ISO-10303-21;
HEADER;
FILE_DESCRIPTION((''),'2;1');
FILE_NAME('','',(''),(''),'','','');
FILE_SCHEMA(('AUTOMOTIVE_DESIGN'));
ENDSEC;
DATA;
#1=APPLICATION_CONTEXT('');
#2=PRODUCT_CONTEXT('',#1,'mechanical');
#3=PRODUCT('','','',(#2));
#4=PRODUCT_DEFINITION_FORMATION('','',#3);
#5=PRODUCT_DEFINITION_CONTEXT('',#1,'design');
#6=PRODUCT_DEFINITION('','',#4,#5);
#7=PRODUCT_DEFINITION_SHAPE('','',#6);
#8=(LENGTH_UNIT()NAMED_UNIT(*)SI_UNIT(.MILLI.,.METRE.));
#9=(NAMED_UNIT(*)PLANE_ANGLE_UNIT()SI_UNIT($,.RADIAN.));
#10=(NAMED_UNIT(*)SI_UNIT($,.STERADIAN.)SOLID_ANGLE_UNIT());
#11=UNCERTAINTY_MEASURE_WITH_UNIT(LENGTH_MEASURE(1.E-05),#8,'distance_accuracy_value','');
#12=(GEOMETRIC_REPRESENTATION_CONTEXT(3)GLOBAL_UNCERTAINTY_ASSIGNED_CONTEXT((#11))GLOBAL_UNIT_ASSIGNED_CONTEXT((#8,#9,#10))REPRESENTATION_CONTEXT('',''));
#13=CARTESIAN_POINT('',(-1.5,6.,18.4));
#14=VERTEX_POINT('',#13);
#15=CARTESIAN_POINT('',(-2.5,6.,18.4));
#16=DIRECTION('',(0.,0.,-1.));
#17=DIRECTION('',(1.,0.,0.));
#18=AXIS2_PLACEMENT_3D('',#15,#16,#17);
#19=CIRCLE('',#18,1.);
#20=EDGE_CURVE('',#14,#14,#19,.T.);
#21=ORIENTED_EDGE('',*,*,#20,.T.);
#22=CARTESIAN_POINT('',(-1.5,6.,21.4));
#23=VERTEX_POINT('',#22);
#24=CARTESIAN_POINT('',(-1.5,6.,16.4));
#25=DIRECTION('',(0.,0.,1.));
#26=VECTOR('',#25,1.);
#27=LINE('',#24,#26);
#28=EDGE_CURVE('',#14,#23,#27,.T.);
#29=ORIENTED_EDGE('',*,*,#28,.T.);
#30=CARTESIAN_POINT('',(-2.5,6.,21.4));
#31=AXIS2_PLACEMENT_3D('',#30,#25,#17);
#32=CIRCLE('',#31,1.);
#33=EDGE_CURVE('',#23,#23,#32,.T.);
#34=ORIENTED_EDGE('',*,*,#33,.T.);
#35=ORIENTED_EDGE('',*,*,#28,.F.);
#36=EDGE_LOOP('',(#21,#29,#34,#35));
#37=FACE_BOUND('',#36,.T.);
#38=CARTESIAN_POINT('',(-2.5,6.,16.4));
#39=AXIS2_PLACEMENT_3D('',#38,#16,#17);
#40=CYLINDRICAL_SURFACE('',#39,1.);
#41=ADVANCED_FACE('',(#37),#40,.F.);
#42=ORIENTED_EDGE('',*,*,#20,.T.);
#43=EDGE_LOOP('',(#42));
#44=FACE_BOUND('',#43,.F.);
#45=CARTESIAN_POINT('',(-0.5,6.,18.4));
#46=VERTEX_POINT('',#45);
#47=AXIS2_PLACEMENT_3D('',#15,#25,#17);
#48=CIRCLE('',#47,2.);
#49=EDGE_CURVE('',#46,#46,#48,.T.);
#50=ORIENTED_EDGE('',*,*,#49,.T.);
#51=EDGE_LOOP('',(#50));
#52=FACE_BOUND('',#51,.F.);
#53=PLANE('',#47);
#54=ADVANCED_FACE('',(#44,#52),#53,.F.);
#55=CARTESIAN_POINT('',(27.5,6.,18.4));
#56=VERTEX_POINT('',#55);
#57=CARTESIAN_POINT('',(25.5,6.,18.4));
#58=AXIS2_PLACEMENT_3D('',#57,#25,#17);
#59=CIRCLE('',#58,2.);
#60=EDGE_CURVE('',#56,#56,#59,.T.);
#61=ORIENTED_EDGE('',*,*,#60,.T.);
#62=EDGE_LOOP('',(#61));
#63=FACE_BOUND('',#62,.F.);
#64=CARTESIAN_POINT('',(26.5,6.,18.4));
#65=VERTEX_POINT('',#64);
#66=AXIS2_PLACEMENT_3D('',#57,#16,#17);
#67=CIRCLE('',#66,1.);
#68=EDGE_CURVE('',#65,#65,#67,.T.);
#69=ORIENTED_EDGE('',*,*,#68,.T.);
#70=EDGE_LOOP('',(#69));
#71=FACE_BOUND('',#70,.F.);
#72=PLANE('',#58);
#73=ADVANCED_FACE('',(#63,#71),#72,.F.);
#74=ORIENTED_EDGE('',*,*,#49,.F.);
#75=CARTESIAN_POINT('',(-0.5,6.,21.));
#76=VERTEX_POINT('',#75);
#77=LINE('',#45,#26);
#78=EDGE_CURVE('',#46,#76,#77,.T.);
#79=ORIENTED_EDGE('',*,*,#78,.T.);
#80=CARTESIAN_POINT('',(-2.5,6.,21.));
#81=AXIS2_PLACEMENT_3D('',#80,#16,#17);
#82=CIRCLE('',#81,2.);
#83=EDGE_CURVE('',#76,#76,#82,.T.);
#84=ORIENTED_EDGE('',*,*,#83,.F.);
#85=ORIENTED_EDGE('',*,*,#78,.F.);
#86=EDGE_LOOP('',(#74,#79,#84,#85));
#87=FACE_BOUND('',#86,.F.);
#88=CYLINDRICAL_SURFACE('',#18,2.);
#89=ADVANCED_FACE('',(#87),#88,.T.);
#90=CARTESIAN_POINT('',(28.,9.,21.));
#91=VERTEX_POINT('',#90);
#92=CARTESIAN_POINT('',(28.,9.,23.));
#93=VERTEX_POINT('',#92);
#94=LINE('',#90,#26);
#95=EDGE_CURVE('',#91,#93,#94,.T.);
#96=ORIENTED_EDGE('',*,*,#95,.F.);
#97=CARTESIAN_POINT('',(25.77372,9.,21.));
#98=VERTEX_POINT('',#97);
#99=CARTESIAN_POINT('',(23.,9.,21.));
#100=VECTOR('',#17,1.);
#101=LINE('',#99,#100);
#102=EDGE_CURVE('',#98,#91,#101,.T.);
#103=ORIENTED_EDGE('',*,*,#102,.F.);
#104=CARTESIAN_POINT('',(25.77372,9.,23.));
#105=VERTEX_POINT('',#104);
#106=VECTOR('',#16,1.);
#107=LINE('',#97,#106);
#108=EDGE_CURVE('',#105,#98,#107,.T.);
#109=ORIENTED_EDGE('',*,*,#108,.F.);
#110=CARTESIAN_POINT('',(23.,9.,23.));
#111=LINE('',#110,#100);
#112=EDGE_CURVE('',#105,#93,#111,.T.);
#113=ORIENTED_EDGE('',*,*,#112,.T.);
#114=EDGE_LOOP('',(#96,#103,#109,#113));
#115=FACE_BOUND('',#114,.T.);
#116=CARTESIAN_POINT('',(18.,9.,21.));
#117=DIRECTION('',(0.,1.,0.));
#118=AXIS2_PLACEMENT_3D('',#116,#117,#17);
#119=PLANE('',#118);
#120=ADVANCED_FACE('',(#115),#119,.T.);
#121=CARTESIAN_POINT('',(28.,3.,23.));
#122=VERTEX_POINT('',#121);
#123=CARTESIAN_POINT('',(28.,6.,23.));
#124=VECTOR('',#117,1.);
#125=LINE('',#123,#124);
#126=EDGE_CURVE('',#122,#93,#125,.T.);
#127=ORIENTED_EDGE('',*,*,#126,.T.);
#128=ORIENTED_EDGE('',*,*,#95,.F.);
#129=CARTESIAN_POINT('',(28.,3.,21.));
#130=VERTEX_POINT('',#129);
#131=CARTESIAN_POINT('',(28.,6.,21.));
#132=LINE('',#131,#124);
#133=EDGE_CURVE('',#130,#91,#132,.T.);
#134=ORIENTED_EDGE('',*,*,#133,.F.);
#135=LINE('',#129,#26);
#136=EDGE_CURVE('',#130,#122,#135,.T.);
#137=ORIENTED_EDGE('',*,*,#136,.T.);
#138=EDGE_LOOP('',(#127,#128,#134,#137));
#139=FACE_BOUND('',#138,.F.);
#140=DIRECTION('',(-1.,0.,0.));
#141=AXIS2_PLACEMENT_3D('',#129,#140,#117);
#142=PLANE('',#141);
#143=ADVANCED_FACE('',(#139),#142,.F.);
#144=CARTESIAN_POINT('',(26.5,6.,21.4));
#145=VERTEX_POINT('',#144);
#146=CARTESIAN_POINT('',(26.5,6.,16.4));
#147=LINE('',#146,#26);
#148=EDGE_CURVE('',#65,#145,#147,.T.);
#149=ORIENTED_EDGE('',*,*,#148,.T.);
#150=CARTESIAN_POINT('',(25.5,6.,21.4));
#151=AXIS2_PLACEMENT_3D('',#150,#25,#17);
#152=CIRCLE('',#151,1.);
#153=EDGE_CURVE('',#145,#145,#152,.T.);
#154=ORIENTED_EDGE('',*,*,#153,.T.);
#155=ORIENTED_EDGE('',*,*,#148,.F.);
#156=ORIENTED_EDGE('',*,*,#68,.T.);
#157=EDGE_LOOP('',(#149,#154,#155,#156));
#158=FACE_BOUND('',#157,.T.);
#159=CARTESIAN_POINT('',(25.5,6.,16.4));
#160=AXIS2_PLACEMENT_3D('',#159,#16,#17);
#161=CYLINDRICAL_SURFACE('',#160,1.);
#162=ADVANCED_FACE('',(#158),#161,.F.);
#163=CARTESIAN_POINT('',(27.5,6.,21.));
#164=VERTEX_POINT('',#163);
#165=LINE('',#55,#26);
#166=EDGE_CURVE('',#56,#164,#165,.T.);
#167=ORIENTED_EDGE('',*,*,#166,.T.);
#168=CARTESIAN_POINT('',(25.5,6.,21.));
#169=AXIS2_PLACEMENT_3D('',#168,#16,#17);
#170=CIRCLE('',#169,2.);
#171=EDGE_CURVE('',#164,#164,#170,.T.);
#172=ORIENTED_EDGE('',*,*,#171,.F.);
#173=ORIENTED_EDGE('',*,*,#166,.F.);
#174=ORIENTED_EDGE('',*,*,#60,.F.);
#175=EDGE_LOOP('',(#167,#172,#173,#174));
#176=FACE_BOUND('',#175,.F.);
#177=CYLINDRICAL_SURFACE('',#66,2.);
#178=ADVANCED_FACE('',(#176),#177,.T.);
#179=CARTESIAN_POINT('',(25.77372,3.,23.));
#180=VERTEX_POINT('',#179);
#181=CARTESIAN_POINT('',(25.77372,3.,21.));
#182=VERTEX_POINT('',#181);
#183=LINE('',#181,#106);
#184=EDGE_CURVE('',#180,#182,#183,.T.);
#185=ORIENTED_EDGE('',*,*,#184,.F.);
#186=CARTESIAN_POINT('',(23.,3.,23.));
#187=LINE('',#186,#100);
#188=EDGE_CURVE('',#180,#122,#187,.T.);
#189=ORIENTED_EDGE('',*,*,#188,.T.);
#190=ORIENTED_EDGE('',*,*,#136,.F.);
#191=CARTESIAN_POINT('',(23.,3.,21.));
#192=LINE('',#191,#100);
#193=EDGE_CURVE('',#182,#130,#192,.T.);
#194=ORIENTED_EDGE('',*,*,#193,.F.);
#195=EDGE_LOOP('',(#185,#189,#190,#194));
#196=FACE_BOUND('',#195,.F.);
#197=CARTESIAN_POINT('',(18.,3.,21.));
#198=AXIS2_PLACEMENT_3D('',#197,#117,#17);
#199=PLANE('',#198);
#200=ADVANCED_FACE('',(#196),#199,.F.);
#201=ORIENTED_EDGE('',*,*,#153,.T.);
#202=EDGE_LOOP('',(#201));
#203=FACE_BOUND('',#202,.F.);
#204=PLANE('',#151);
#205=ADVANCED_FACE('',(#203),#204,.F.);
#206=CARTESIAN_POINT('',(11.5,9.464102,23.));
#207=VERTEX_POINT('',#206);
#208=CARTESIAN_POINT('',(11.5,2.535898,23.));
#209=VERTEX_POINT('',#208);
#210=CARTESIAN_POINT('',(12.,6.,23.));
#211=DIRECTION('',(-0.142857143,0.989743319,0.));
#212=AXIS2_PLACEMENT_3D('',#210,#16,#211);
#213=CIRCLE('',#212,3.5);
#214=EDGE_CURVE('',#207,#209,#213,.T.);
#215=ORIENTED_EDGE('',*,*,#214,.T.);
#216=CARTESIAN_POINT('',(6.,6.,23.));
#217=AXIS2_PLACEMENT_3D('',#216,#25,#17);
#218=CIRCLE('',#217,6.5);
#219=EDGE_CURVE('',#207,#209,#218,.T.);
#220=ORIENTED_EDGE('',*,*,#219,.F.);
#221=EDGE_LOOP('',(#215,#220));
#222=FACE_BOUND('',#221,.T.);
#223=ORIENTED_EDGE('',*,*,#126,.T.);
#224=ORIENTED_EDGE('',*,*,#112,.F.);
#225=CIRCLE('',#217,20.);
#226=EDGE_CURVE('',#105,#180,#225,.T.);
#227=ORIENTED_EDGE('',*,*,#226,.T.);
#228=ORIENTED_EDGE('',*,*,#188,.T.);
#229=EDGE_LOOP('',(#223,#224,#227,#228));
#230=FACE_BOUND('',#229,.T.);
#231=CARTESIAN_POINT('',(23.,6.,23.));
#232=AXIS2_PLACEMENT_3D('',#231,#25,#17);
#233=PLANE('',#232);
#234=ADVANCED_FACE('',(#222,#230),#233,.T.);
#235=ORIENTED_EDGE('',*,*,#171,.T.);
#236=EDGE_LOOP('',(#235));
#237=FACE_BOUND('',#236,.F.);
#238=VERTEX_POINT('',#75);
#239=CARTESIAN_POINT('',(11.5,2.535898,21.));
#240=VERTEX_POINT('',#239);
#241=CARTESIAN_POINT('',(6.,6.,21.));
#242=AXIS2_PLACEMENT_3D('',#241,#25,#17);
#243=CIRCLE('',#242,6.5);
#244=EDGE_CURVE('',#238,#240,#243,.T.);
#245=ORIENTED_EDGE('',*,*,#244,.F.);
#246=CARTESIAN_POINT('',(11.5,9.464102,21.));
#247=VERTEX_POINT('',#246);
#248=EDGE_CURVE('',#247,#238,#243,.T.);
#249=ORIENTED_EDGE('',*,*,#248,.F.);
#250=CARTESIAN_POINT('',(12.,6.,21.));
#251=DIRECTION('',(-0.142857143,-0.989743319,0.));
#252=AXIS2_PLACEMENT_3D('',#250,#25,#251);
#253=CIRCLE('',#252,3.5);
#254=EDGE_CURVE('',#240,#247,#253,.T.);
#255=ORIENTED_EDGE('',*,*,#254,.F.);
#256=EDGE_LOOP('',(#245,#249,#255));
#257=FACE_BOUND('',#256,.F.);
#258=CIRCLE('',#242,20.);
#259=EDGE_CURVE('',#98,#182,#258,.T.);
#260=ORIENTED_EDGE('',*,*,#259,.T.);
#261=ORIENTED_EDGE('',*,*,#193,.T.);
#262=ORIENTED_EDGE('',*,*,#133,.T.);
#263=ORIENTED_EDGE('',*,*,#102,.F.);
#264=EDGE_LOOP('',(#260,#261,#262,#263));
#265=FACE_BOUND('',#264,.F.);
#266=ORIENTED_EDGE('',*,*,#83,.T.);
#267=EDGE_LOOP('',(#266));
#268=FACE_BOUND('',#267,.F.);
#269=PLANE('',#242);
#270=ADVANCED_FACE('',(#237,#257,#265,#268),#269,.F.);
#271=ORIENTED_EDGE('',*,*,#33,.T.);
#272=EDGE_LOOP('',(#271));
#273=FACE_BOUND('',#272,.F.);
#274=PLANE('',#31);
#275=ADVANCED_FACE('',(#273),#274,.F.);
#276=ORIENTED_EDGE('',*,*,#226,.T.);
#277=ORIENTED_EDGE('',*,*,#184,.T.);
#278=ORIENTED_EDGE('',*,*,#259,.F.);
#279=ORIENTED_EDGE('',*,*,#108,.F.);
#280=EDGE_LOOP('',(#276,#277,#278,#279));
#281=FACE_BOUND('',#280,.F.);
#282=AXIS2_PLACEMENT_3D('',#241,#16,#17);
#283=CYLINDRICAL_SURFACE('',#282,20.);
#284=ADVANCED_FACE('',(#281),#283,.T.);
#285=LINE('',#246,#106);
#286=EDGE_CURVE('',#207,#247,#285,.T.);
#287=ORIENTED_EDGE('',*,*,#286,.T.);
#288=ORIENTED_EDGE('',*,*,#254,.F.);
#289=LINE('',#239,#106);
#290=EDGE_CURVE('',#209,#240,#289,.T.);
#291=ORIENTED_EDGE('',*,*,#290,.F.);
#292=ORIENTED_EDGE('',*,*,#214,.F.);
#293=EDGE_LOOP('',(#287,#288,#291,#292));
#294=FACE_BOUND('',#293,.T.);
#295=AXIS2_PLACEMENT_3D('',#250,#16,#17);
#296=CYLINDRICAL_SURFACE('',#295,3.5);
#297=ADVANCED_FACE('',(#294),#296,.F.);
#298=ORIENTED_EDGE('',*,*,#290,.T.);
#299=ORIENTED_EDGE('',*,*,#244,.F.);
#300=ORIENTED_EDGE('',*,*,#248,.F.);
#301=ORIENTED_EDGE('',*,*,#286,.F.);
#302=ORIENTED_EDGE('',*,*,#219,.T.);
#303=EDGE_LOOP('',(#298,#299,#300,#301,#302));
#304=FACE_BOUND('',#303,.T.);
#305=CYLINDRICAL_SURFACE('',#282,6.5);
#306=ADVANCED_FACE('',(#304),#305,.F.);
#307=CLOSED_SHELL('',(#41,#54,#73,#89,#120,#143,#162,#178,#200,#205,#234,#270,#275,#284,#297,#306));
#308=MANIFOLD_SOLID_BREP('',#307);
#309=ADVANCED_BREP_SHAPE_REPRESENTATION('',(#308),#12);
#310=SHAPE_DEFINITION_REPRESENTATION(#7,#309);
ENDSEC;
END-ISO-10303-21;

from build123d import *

# Parameters (mm, degrees)
CYLINDER003001001005001001_R     = 3.5
CYLINDER003001001005001001_DEPTH = 2
CYLINDER003001001004002_R        = 1
CYLINDER003001001004002_DEPTH    = 5
CYLINDER003001001004001001_R     = 1
CYLINDER003001001004001001_DEPTH = 5
CYLINDER003001001005001_R        = 6.5
CYLINDER003001001005001_DEPTH    = 2
BOX002_W                         = 10
BOX002_H                         = 6
BOX002_DEPTH                     = 2
CYLINDER003001001004_R           = 2
CYLINDER003001001004_DEPTH       = 3
CYLINDER003001001004001_R        = 2
CYLINDER003001001004001_DEPTH    = 3
CYLINDER003001001005_R           = 20
CYLINDER003001001005_DEPTH       = 2


with BuildPart() as cylinder013:
    # Cylinder003001001005001001 → Cylinder003001001005001001 (new body)
    with BuildSketch(Plane(origin=(12, 6, 21), x_dir=(1, 0, 0), z_dir=(0, 0, 1))):
        Circle(CYLINDER003001001005001001_R)
    extrude(amount=CYLINDER003001001005001001_DEPTH)


with BuildPart() as cylinder014:
    # Cylinder003001001004002 → Cylinder003001001004002 (new body)
    with BuildSketch(Plane(origin=(-2.5, 6, 16.4), x_dir=(1, 0, 0), z_dir=(0, 0, 1))):
        Circle(CYLINDER003001001004002_R)
    extrude(amount=CYLINDER003001001004002_DEPTH)


with BuildPart() as cylinder015:
    # Cylinder003001001004001001 → Cylinder003001001004001001 (new body)
    with BuildSketch(Plane(origin=(25.5, 6, 16.4), x_dir=(1, 0, 0), z_dir=(0, 0, 1))):
        Circle(CYLINDER003001001004001001_R)
    extrude(amount=CYLINDER003001001004001001_DEPTH)


with BuildPart() as fusion009:
    # Cylinder003001001005001 → Cylinder003001001005001 (new body)
    with BuildSketch(Plane(origin=(6, 6, 21), x_dir=(1, 0, 0), z_dir=(0, 0, 1))):
        Circle(CYLINDER003001001005001_R)
    extrude(amount=CYLINDER003001001005001_DEPTH)

    # Fusion009: union Cylinder013, Cylinder014, Cylinder015
    add(cylinder013.part)
    add(cylinder014.part)
    add(cylinder015.part)


with BuildPart() as box002:
    # Box002 → Box002 (new body)
    with BuildSketch(Plane(origin=(18, 3, 21), x_dir=(1, 0, 0), z_dir=(0, 0, 1))):
        with Locations((5, 3)):
            Rectangle(BOX002_W, BOX002_H)
    extrude(amount=BOX002_DEPTH)


with BuildPart() as cylinder009:
    # Cylinder003001001004 → Cylinder003001001004 (new body)
    with BuildSketch(Plane(origin=(-2.5, 6, 18.4), x_dir=(1, 0, 0), z_dir=(0, 0, 1))):
        Circle(CYLINDER003001001004_R)
    extrude(amount=CYLINDER003001001004_DEPTH)


with BuildPart() as cylinder010:
    # Cylinder003001001004001 → Cylinder003001001004001 (new body)
    with BuildSketch(Plane(origin=(25.5, 6, 18.4), x_dir=(1, 0, 0), z_dir=(0, 0, 1))):
        Circle(CYLINDER003001001004001_R)
    extrude(amount=CYLINDER003001001004001_DEPTH)


with BuildPart() as guide1:
    # Cylinder003001001005 → Cylinder003001001005 (new body)
    with BuildSketch(Plane(origin=(6, 6, 21), x_dir=(1, 0, 0), z_dir=(0, 0, 1))):
        Circle(CYLINDER003001001005_R)
    extrude(amount=CYLINDER003001001005_DEPTH)

    # Fusion008: union Box002, Cylinder009, Cylinder010
    add(box002.part)
    add(cylinder009.part)
    add(cylinder010.part)

    # Cut002: cut Fusion009
    add(fusion009.part, mode=Mode.SUBTRACT)


solid = guide1.part
